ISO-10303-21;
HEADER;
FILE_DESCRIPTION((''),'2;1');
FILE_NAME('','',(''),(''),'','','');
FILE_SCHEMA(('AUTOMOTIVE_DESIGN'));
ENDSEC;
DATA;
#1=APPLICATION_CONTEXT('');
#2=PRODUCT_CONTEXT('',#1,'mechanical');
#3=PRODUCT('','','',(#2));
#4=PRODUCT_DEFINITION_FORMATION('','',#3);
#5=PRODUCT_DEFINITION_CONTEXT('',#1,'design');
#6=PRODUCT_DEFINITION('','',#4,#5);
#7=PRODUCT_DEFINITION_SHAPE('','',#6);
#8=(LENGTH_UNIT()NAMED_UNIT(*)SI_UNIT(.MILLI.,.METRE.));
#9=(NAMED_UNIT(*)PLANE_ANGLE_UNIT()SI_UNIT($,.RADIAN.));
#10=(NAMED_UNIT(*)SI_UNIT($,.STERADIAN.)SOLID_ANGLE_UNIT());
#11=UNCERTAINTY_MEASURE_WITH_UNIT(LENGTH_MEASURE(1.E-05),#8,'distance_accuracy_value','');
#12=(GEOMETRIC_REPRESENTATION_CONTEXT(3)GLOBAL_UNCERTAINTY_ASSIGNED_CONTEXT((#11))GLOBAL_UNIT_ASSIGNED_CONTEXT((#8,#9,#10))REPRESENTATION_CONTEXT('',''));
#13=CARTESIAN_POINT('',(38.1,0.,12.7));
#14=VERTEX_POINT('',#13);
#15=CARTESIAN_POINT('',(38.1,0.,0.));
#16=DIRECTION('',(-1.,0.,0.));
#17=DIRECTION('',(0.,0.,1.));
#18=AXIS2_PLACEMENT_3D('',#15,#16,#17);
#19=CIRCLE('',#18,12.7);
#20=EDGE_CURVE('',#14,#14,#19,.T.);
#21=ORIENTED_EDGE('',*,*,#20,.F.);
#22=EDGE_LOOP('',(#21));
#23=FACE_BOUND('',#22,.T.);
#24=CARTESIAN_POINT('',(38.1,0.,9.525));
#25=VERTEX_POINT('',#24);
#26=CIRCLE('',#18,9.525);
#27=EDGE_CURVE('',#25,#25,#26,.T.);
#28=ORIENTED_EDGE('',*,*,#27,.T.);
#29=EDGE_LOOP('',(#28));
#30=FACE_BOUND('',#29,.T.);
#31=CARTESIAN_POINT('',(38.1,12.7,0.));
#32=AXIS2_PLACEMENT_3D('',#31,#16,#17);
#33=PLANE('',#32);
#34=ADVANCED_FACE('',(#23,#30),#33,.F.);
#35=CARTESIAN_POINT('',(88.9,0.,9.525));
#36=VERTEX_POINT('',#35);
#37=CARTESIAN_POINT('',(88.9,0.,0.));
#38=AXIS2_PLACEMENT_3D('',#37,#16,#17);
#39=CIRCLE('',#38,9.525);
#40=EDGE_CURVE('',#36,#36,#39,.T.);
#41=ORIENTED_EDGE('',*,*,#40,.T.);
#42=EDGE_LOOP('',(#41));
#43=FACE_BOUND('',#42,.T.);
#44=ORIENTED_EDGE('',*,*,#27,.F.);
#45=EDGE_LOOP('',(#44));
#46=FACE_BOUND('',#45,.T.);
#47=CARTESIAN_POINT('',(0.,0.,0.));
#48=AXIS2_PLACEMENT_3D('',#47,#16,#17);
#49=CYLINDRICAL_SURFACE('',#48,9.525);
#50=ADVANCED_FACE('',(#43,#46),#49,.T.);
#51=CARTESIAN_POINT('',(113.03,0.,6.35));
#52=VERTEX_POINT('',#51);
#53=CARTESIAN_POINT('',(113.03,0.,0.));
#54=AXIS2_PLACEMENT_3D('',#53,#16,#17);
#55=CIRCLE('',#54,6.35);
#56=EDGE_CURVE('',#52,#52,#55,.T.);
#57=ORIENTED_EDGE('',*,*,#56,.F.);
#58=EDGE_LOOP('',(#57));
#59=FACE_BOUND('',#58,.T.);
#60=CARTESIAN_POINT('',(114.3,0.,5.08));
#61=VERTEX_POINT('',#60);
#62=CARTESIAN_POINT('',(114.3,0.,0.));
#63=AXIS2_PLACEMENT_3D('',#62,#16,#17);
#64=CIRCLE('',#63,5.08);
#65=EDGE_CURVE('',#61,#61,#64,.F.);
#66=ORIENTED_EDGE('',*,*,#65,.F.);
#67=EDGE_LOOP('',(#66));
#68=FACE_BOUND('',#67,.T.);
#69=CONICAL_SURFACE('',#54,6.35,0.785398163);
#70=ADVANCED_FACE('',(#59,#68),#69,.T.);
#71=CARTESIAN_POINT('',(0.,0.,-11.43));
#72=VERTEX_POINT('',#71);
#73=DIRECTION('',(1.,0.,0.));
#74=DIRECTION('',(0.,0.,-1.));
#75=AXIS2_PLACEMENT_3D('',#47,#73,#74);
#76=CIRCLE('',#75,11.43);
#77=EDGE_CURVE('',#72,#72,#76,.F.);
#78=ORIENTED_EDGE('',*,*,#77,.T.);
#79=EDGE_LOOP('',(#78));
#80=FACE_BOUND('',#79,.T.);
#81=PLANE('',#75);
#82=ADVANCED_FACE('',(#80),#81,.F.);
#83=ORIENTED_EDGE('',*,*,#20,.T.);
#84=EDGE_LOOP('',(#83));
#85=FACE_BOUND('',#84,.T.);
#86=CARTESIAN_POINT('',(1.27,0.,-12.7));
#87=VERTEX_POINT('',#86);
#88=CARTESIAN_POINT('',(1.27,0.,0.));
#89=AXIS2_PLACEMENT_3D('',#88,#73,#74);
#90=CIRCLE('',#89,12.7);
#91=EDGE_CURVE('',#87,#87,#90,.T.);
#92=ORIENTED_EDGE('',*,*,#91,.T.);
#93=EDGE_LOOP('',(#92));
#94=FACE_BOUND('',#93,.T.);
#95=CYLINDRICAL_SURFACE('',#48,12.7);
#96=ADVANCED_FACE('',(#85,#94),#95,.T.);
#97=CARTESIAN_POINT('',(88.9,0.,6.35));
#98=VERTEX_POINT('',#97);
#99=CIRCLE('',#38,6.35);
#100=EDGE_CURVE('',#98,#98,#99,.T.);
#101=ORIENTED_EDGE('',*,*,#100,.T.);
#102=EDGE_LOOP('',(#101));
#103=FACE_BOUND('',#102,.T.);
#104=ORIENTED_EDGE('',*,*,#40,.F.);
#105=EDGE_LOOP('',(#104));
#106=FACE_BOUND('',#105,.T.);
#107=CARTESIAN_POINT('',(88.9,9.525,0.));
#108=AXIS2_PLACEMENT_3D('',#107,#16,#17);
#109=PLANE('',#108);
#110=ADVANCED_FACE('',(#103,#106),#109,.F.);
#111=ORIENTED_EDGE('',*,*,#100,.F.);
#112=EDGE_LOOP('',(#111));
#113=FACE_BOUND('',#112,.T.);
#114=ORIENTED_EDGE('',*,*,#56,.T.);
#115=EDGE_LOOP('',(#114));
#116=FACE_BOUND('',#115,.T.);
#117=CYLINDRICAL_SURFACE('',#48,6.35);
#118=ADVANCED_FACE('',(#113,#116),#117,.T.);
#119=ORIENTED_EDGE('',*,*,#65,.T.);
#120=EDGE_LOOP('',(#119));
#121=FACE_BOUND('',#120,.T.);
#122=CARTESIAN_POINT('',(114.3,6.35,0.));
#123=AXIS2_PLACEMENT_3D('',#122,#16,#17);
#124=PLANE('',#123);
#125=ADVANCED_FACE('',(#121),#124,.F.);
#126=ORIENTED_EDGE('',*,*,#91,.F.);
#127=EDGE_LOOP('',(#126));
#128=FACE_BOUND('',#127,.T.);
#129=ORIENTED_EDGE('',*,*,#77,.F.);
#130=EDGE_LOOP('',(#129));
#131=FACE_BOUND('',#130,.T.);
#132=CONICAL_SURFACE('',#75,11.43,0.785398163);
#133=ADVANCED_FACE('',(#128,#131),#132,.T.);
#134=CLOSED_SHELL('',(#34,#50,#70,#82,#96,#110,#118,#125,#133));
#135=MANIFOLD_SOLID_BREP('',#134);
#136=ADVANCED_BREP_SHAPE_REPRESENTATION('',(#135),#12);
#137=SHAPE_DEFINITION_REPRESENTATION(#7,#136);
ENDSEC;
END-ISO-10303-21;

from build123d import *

# Parameters (mm, degrees)
CHAMFER1_SIZE = 1.27


with BuildPart() as part:
    # Sketch1 → Shaft (revolve)
    with BuildSketch(Plane.XY, mode=Mode.PRIVATE) as shaft_sk:
        Polygon((0, 0), (114.3, 0), (114.3, 6.35), (88.9, 6.35), (88.9, 9.525), (38.1, 9.525), (38.1, 12.7), (0, 12.7), align=None)
    revolve(shaft_sk.sketch.rotate(Axis((0, 0, 0), (1, 0, 0)), 90), axis=Axis((0, 0, 0), (1, 0, 0)))

    # Chamfer1
    chamfer1_edges = [part.edges().sort_by_distance(p)[0] for p in [
        (0, 0, -12.7),
        (114.3, 0, -6.35),
    ]]
    chamfer(chamfer1_edges, length=CHAMFER1_SIZE)


solid = part.part
